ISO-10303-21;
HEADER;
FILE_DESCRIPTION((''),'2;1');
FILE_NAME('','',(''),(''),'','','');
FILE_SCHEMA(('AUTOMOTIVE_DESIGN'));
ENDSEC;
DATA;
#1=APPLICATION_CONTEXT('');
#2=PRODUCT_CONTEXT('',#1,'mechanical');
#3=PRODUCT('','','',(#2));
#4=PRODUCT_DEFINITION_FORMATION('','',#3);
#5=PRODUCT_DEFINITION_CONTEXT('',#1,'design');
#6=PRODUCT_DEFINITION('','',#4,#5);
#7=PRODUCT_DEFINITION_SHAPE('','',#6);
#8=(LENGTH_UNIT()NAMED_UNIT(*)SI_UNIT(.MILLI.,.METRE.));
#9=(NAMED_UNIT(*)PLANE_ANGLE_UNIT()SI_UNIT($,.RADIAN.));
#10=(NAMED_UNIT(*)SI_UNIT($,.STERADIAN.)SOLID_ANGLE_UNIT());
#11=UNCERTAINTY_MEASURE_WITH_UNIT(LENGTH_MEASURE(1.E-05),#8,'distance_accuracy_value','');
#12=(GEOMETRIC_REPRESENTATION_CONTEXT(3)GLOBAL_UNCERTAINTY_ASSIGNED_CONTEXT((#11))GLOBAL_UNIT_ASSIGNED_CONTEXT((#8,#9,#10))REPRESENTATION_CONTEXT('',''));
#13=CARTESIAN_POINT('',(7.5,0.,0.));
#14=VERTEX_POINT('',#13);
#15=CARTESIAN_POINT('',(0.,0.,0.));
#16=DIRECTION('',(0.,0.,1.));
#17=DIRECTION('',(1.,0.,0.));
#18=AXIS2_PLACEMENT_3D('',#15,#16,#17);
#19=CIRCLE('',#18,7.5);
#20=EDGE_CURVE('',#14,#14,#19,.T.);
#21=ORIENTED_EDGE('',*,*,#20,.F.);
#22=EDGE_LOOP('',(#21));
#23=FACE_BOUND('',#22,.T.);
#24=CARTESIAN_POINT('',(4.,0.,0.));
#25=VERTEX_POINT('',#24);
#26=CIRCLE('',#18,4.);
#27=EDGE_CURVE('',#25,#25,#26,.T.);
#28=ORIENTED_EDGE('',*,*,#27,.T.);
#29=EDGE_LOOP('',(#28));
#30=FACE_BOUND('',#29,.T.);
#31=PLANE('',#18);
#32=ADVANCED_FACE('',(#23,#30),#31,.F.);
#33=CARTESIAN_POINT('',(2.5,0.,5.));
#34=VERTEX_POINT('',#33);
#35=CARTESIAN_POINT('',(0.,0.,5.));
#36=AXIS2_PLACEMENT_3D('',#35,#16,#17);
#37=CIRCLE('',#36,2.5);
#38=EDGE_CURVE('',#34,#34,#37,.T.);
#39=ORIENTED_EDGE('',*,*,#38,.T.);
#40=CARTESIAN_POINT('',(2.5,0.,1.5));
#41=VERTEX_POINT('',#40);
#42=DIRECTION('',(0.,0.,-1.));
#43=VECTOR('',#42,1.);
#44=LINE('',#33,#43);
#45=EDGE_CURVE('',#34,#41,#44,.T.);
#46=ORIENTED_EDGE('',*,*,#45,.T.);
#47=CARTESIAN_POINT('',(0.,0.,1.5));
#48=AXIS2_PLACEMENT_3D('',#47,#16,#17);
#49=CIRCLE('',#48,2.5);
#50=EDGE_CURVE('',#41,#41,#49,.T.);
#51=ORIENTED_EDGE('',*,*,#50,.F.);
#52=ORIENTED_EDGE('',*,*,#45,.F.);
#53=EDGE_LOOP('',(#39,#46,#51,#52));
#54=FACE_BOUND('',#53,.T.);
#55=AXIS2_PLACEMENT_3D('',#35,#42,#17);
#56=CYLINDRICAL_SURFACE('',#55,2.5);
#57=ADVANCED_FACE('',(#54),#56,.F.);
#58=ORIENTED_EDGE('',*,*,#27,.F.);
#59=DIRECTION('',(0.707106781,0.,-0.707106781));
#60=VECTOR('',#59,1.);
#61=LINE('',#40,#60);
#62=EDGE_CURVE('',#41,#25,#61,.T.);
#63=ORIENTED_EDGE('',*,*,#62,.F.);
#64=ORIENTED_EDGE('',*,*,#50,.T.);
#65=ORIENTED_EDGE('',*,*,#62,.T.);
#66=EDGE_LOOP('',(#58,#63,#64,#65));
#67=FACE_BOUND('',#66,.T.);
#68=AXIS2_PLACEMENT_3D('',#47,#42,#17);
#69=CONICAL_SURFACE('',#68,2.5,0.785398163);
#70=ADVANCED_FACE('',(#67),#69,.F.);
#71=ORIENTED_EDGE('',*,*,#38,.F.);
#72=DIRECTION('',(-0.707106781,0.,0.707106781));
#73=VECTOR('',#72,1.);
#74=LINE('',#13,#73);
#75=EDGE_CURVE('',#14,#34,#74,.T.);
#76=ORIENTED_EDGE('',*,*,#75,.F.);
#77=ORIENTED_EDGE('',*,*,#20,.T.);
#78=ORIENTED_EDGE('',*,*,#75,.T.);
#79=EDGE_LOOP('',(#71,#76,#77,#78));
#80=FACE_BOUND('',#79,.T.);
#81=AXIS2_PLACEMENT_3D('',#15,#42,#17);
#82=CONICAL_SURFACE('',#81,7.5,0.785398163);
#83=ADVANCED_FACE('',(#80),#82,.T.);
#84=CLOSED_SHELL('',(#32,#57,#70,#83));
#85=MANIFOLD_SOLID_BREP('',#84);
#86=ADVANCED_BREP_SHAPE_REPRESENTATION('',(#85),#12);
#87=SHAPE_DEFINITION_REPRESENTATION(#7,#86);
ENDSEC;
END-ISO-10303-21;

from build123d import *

# Parameters (mm, degrees)
F2_SIZE = 1.5


with BuildPart() as f1:
    # F0 (on Front) → F1 (revolve)
    with BuildSketch(Plane.XZ):
        Polygon((2.5, 5), (2.5, 0), (7.5, 0), align=None)
    revolve(axis=Axis((0, 0, 2.5), (0, 0, 1)))

    # F2
    f2_edges = [f1.edges().sort_by_distance(p)[0] for p in [
        (-2.5, 0, 0),
    ]]
    chamfer(f2_edges, length=F2_SIZE)


solid = f1.part
